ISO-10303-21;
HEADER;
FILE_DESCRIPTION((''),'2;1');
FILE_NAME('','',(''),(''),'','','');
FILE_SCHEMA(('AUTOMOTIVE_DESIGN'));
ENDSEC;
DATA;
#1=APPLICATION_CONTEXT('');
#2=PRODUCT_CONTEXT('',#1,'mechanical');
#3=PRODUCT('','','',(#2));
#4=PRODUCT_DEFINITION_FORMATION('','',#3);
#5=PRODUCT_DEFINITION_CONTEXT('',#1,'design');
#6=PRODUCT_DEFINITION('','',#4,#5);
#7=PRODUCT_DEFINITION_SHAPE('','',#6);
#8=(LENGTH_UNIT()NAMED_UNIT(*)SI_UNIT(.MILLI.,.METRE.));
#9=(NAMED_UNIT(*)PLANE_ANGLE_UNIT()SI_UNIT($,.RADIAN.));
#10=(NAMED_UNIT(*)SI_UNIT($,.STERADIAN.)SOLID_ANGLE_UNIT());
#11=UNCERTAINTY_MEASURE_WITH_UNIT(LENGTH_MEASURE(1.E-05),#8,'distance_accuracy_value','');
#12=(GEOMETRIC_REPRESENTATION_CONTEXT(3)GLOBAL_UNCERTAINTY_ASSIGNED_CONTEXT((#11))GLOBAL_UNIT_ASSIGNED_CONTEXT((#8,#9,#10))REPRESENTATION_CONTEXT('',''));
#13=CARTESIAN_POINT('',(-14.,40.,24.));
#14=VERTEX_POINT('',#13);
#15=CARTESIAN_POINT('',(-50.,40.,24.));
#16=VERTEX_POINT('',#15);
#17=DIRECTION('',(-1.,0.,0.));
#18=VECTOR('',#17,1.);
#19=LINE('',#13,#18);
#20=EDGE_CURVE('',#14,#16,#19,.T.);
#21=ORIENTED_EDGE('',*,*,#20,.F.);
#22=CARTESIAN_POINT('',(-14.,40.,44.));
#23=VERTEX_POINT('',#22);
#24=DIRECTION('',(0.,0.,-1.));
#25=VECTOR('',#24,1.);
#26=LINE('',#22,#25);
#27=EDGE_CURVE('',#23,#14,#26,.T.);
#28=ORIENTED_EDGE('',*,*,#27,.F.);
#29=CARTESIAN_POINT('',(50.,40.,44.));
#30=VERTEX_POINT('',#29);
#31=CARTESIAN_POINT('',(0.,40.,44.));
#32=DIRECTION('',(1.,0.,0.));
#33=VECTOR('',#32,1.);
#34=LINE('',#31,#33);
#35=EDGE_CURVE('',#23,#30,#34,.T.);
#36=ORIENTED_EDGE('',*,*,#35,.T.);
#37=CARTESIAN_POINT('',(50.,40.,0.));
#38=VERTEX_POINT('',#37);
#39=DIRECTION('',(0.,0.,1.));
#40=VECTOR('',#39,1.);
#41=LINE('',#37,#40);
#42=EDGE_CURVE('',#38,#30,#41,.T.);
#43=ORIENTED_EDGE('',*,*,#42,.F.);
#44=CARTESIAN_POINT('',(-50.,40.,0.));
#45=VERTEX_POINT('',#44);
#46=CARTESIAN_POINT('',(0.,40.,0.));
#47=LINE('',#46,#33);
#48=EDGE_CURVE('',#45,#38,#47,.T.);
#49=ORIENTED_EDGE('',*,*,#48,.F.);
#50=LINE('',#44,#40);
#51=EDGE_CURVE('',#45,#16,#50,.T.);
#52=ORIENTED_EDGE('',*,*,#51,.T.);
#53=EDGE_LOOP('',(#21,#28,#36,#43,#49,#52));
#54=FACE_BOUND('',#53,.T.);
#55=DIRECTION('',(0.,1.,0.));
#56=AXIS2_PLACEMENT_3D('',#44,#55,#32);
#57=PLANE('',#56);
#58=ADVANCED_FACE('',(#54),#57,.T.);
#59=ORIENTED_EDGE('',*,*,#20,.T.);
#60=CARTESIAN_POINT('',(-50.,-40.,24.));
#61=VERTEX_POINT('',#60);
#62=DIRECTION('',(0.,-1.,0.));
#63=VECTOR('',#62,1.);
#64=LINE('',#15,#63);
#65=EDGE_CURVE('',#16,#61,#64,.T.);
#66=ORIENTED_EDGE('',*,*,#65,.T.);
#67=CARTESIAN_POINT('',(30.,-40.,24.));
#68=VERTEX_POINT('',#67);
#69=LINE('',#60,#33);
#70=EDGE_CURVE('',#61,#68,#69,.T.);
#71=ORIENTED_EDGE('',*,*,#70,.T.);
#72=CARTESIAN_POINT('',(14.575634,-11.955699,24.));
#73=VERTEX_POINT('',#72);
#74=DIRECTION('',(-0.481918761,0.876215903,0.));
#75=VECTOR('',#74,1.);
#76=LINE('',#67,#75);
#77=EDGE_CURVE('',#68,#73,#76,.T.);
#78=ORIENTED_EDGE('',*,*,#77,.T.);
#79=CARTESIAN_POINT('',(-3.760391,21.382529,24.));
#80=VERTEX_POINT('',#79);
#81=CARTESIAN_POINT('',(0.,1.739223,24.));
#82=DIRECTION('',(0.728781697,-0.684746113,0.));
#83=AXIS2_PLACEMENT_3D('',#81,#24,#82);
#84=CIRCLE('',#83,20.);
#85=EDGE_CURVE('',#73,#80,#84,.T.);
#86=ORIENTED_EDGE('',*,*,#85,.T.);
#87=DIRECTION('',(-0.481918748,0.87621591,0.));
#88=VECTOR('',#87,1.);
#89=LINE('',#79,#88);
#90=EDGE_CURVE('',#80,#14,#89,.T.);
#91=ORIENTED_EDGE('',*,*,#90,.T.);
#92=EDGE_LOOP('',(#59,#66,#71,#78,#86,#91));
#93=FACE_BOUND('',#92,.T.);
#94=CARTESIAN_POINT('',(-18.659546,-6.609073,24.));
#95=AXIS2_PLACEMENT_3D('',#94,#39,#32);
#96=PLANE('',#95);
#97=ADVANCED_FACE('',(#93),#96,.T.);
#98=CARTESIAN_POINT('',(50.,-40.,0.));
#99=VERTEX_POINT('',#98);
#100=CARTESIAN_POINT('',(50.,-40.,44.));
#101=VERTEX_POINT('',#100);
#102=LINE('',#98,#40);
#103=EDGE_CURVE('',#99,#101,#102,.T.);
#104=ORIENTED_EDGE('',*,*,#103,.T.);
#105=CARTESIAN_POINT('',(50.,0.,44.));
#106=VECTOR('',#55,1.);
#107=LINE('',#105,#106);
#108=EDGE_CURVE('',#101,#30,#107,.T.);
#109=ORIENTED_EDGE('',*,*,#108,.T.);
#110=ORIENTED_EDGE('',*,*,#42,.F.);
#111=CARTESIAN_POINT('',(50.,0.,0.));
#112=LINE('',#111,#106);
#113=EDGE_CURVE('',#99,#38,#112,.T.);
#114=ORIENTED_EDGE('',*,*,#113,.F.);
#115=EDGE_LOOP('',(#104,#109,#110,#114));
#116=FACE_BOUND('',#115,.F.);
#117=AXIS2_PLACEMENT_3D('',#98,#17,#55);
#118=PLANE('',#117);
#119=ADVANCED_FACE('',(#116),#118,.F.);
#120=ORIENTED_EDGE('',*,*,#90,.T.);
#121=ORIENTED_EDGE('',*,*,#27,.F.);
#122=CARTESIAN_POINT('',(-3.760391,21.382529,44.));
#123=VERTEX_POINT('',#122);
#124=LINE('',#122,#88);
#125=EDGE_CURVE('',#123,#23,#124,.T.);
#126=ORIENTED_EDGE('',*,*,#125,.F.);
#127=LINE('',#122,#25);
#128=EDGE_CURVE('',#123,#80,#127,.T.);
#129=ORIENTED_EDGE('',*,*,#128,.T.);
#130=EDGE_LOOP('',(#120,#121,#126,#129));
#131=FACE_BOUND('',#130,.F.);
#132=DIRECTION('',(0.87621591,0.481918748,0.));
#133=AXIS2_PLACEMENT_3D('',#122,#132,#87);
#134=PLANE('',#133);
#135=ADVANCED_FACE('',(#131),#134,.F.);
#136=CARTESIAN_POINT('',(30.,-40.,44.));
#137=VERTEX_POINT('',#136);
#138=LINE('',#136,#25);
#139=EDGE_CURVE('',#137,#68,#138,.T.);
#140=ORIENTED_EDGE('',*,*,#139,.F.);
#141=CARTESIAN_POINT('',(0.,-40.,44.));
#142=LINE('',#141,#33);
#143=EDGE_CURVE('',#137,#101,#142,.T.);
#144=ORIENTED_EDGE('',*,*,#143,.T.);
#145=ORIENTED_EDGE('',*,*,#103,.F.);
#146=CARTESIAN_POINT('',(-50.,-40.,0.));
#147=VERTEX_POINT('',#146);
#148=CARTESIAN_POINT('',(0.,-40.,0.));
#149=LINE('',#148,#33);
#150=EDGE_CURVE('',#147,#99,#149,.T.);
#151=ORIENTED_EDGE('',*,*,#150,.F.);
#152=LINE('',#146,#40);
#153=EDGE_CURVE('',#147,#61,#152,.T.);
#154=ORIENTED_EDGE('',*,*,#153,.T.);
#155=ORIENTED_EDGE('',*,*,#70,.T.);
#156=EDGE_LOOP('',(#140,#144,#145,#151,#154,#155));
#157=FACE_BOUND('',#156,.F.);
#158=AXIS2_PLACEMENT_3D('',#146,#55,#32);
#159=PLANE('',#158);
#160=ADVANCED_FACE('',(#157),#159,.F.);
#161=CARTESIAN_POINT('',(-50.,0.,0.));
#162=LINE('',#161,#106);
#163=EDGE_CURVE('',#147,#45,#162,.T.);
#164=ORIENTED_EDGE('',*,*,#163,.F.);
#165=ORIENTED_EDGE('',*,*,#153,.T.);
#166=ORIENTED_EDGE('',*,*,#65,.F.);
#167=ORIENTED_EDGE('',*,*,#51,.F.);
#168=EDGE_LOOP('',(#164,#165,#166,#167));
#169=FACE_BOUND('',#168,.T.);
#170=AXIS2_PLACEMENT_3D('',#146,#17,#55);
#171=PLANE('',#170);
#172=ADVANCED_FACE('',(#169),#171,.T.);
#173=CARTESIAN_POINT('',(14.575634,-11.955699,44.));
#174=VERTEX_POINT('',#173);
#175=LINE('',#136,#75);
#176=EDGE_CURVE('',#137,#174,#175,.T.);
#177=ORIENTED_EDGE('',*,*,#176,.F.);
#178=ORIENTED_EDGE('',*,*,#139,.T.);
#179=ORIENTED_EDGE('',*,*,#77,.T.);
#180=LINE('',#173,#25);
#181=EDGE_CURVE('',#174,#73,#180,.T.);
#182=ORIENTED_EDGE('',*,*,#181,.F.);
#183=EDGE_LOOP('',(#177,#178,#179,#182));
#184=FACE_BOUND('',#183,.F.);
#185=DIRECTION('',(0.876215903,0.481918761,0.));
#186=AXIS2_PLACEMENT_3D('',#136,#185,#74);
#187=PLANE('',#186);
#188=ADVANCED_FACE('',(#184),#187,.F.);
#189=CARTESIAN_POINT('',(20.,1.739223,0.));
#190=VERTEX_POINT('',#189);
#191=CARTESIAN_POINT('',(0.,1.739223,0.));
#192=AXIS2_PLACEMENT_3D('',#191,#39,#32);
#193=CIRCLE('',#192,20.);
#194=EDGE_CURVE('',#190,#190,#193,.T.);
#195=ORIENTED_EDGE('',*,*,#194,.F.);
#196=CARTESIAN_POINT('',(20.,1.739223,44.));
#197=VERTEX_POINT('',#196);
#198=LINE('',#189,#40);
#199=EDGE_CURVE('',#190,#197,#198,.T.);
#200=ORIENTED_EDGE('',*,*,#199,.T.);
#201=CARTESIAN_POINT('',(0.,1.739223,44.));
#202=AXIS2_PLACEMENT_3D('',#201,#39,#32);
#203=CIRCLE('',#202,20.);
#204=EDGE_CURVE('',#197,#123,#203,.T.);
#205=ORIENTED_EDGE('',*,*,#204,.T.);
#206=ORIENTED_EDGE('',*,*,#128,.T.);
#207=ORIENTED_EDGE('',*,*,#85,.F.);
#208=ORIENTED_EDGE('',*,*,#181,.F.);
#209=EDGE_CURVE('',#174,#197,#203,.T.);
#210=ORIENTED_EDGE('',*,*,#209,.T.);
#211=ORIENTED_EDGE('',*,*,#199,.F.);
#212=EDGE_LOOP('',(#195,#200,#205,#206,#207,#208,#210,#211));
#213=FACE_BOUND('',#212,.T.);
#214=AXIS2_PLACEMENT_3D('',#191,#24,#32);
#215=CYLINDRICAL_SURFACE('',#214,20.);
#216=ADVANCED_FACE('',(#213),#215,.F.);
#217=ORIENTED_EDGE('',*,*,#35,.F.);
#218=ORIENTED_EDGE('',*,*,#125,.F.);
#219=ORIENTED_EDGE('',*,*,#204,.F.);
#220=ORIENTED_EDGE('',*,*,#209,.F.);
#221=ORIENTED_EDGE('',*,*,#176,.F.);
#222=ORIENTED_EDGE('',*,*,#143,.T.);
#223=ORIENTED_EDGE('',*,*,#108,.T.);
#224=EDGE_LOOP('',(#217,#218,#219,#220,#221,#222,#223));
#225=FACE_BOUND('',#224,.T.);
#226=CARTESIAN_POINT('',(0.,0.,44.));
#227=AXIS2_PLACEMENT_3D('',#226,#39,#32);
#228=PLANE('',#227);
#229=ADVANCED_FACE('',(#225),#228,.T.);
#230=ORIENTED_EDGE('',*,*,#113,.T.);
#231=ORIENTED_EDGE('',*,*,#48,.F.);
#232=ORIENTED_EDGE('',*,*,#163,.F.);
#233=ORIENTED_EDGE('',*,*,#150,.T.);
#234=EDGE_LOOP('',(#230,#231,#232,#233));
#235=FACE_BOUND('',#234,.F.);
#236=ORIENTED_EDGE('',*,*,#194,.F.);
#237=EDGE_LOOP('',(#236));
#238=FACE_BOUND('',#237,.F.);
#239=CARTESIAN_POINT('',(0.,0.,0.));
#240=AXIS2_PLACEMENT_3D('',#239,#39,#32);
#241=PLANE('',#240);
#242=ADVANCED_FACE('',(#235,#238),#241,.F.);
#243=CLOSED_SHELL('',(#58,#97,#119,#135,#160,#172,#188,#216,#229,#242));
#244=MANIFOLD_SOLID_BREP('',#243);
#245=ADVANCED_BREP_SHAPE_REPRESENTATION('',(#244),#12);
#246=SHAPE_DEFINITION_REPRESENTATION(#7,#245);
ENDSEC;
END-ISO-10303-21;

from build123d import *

# Parameters (mm, degrees)
F0_W     = 100
F0_H     = 80
F0_R     = 20
F1_DEPTH = 44
F2_DEPTH = 44
F4_DEPTH = 20


with BuildPart() as f1:
    # F0 (on Top) → F1 (new body)
    with BuildSketch(Plane.XY):
        Rectangle(F0_W, F0_H)
        with Locations((0, 1.739223)):
            Circle(F0_R, mode=Mode.SUBTRACT)
    extrude(amount=F1_DEPTH)

    # F0 (on Top) → F2 (join)
    with BuildSketch(Plane.XY):
        Rectangle(F0_W, F0_H)
        with Locations((0, 1.739223)):
            Circle(F0_R, mode=Mode.SUBTRACT)
    extrude(amount=F2_DEPTH)

    # F3 (on face) → F4 (cut)
    with BuildSketch(Plane.XY.offset(44)):
        with BuildLine():
            Line((-3.760391, 21.382529), (-14, 40))
            Line((-14, 40), (-50, 40))
            Line((-50, 40), (-50, -40))
            Line((-50, -40), (30, -40))
            Line((30, -40), (14.575634, -11.955699))
            ThreePointArc((14.575634, -11.955699), (-17.524318, -7.899152), (-3.760391, 21.382529))
        make_face()
    extrude(amount=-F4_DEPTH, mode=Mode.SUBTRACT)


solid = f1.part
